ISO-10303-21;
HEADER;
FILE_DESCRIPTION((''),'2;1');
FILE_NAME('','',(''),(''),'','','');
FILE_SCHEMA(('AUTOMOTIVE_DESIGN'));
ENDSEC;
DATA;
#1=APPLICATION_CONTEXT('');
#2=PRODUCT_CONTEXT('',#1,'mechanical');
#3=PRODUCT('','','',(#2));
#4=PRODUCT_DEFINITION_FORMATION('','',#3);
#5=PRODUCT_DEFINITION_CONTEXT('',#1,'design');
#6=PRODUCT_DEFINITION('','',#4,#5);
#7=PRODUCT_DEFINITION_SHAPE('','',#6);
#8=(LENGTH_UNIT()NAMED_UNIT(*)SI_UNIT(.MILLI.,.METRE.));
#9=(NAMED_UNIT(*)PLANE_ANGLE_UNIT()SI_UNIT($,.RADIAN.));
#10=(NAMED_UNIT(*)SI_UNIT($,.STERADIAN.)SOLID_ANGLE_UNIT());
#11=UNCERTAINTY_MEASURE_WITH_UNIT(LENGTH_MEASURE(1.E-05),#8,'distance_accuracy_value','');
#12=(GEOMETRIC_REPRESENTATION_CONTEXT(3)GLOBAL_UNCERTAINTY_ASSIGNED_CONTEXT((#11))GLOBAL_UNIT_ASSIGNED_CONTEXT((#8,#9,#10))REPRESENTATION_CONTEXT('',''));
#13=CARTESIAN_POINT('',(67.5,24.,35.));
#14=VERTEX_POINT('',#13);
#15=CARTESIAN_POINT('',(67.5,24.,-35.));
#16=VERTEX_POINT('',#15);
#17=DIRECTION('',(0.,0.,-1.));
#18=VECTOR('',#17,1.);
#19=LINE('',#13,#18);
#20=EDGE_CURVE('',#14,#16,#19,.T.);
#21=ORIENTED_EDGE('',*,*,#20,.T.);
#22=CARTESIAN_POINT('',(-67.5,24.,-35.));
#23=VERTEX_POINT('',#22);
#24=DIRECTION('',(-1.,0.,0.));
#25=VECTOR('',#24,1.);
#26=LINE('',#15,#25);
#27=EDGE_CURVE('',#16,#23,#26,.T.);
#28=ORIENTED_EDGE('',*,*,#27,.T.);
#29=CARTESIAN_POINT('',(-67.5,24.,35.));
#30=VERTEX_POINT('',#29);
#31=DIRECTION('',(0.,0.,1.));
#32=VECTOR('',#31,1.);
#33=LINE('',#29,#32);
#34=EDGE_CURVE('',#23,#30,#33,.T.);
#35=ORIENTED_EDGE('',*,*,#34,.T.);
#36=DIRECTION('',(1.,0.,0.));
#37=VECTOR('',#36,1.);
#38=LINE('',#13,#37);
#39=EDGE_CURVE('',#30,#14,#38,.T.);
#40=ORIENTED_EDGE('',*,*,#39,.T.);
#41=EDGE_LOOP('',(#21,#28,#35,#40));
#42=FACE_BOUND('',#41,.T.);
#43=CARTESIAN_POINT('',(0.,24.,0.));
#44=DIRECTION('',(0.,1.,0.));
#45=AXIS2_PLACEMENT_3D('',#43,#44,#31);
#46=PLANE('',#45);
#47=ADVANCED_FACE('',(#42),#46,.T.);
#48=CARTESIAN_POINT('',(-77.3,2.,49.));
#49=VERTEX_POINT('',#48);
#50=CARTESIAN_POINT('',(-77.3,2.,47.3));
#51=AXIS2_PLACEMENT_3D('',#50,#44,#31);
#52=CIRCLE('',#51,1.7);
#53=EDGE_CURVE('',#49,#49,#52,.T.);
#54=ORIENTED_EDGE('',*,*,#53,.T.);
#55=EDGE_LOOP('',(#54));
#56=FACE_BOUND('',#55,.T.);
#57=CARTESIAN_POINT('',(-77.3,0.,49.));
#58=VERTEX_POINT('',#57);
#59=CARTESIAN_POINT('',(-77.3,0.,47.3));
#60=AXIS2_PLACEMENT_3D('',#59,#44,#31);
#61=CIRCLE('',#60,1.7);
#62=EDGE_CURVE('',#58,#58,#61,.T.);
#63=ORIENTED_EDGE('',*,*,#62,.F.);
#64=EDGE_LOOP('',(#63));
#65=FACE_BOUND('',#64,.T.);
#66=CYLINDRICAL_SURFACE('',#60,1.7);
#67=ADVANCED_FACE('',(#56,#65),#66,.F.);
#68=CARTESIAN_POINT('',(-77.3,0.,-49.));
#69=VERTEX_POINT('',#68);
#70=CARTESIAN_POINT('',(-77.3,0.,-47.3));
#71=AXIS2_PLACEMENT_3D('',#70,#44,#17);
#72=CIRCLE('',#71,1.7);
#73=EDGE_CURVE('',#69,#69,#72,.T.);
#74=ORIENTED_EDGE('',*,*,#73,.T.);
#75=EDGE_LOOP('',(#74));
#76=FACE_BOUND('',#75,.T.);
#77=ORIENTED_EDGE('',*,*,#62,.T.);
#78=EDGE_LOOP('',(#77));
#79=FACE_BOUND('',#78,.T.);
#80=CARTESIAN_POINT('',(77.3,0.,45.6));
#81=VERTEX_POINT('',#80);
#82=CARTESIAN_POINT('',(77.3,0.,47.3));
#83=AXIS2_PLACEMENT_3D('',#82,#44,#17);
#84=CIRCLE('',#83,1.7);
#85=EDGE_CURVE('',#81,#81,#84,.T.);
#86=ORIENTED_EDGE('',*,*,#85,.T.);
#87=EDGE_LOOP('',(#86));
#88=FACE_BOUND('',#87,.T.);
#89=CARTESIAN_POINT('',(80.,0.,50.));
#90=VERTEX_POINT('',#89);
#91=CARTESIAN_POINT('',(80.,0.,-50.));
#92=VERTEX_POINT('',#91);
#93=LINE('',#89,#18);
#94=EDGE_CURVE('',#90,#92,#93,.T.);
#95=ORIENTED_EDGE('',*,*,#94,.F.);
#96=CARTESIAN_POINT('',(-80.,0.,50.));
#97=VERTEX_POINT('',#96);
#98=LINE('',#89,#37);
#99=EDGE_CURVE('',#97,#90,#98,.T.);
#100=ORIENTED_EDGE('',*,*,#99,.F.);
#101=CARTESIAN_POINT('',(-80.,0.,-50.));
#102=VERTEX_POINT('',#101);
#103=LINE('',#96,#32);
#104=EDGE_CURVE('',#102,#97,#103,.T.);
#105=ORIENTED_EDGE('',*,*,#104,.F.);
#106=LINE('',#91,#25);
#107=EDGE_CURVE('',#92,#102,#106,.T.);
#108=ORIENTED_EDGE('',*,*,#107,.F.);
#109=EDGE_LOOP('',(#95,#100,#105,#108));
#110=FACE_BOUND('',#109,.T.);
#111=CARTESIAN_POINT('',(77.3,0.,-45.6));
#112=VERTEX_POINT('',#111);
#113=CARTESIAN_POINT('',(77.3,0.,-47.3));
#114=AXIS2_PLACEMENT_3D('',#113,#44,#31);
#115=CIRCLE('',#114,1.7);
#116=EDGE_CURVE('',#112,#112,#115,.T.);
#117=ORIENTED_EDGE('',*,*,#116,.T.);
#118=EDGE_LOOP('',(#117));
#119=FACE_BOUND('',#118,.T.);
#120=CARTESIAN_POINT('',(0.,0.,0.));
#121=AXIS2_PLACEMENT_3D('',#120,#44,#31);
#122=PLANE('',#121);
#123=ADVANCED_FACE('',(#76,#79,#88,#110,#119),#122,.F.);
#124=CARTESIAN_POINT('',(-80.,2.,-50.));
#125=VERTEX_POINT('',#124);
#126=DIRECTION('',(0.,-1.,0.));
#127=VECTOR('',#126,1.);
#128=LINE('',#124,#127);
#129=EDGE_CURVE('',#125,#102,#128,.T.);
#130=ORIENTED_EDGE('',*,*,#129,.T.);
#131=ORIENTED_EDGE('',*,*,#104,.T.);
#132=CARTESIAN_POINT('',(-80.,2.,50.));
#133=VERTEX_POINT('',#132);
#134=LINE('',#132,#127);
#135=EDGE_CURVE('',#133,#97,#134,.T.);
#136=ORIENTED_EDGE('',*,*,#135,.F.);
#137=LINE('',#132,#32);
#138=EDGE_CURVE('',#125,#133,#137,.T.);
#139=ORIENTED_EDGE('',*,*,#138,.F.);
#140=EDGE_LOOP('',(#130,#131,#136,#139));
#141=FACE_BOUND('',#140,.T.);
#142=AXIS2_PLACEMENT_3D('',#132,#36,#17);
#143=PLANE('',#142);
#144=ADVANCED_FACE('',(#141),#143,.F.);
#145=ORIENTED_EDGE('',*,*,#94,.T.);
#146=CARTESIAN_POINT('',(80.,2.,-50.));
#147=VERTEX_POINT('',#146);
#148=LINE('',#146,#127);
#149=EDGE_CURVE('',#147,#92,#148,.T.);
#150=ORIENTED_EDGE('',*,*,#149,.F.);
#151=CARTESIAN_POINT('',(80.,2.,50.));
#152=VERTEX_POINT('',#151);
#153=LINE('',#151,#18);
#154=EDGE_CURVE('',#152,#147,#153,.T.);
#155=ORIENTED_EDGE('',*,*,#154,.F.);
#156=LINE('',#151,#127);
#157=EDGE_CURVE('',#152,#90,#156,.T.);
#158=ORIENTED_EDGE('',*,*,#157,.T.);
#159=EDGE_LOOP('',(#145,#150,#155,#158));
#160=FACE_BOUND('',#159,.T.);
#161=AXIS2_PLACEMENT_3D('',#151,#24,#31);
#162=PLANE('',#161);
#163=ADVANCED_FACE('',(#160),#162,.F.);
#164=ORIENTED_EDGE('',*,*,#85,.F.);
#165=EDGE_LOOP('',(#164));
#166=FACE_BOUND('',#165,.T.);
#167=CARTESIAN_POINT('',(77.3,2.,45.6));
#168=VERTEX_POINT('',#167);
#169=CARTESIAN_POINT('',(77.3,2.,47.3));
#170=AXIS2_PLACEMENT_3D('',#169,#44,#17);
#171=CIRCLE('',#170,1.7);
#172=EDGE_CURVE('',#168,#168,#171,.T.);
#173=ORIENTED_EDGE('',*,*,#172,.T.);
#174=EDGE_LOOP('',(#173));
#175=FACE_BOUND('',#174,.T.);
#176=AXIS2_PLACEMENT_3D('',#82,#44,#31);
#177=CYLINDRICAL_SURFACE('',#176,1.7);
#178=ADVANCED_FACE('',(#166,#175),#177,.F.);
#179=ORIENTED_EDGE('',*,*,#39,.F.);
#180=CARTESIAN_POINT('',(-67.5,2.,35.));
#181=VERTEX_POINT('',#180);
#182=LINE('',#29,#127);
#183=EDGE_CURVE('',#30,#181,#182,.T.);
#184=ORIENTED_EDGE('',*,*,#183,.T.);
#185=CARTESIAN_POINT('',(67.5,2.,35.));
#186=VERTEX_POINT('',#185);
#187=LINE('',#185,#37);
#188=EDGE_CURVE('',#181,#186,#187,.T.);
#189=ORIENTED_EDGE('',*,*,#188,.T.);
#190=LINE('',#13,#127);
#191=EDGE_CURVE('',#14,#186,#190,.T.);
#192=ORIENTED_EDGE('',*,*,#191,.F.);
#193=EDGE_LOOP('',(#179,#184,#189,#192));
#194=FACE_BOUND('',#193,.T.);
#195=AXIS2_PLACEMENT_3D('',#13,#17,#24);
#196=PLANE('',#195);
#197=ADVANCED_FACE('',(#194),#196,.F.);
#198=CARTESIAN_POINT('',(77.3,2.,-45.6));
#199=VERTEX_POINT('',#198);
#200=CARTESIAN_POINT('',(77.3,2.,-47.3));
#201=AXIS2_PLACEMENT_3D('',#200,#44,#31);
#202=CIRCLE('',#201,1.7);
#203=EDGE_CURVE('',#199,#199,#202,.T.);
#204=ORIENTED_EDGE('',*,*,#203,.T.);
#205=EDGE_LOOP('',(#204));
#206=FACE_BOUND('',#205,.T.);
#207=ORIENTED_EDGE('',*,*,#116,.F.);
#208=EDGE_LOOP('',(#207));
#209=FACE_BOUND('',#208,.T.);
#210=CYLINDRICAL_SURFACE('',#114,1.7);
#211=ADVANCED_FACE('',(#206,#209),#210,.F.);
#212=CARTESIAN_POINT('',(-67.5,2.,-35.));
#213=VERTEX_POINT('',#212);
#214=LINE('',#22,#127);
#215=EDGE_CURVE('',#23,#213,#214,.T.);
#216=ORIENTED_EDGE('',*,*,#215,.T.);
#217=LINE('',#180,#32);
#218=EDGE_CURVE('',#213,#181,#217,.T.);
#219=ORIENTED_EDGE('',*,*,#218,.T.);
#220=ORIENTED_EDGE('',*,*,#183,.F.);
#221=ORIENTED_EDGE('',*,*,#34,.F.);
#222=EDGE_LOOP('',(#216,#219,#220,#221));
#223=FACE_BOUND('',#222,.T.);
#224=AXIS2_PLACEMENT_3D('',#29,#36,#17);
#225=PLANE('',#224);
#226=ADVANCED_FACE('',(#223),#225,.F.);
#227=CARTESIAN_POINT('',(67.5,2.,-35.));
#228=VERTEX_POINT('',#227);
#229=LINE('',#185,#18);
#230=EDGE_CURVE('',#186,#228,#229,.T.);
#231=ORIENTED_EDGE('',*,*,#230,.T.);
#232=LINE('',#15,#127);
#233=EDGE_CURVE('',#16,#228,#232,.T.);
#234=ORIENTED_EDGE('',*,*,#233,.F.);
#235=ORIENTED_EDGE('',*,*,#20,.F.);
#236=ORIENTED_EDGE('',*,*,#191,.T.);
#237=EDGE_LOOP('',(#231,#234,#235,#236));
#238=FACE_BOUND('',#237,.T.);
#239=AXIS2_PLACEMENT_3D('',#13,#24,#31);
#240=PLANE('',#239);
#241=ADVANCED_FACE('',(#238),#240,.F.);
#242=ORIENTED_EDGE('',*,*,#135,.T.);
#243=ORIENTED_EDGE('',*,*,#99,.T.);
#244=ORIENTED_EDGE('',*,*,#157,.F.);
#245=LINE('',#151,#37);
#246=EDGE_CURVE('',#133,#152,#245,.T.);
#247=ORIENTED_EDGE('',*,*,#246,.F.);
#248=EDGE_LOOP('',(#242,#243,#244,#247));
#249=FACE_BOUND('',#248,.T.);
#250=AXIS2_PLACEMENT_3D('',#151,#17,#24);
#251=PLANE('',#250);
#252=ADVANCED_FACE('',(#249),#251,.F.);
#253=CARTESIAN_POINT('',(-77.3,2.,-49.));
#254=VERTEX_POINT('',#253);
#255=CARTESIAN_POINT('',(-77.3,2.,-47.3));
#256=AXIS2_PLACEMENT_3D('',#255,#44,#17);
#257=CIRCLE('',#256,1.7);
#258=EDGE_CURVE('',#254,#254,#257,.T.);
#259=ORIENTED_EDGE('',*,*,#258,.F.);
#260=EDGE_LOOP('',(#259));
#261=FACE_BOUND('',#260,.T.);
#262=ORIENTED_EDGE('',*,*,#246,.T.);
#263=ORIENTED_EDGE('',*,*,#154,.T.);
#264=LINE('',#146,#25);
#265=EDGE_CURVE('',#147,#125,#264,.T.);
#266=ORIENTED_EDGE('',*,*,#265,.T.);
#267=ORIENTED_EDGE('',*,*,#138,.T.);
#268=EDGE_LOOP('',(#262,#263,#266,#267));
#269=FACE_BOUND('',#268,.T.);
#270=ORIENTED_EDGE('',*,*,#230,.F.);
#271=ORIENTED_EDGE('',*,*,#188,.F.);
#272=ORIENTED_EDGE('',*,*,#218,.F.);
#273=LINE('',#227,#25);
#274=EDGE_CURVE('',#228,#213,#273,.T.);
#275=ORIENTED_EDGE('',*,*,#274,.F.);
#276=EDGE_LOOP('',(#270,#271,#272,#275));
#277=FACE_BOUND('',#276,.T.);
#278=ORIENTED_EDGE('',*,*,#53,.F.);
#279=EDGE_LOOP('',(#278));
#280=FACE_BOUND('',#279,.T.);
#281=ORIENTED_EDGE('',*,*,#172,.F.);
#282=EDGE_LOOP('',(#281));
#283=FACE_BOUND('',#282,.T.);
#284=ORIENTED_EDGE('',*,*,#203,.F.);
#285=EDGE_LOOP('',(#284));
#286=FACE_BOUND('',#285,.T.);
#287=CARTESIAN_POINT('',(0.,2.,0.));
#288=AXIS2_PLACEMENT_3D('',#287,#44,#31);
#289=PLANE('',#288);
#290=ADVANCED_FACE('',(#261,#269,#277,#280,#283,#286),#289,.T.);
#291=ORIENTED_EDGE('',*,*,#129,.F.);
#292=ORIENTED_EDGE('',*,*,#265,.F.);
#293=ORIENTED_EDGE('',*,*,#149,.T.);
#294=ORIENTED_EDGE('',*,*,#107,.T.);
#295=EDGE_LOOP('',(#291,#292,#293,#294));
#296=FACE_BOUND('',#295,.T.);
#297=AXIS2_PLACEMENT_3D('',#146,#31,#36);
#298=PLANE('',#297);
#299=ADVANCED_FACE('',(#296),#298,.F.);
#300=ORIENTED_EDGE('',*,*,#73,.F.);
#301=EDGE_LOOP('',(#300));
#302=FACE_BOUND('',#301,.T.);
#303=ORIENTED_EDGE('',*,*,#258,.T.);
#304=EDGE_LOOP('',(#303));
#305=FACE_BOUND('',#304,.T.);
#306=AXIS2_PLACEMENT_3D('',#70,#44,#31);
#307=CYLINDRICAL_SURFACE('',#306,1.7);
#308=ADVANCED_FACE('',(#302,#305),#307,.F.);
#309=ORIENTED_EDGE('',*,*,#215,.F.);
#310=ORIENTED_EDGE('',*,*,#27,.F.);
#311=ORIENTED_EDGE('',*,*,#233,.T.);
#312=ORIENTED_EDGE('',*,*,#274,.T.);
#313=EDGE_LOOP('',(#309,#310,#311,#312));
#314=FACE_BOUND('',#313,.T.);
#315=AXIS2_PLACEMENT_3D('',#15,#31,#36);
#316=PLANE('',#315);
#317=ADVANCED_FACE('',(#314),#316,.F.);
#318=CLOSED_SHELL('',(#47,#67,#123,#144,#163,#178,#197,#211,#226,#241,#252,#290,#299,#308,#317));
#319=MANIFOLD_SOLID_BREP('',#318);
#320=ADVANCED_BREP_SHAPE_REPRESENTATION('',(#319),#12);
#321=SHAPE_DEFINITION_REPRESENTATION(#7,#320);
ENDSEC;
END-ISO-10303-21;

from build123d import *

# Parameters (mm, degrees)
SKETCH_1_W          = 160
SKETCH_1_H          = 100
EXTRUDE_1_DEPTH     = 2
SKETCH_2_R          = 1.7
CUT_EXTRUDE_1_DEPTH = 95.361008897
SKETCH_3_W          = 135
SKETCH_3_H          = 70
EXTRUDE_2_DEPTH     = 22


with BuildPart() as part:
    # 스케치1 → 보스-돌출1 (new body)
    with BuildSketch(Plane(origin=(0, 0, 0), x_dir=(1, 0, 0), z_dir=(0, 1, 0))):
        Rectangle(SKETCH_1_W, SKETCH_1_H)
    extrude(amount=EXTRUDE_1_DEPTH)

    # 스케치2 → 컷-돌출1 (cut, through all)
    with BuildSketch(Plane(origin=(0, 2, 0), x_dir=(1, 0, 0), z_dir=(0, 1, 0))):
        with Locations(Location((77.3, 47.3, 0), (0, 0, 270))):
            Circle(SKETCH_2_R)
        with Locations(Location((77.3, -47.3, 0), (0, 0, 90))):
            Circle(SKETCH_2_R)
        with Locations(Location((-77.3, -47.3, 0), (0, 0, 270))):
            Circle(SKETCH_2_R)
        with Locations(Location((-77.3, 47.3, 0), (0, 0, 90))):
            Circle(SKETCH_2_R)
    extrude(amount=-CUT_EXTRUDE_1_DEPTH, mode=Mode.SUBTRACT)

    # 스케치3 → 보스-돌출2 (add)
    with BuildSketch(Plane(origin=(0, 2, 0), x_dir=(1, 0, 0), z_dir=(0, 1, 0))):
        Rectangle(SKETCH_3_W, SKETCH_3_H)
    extrude(amount=EXTRUDE_2_DEPTH)


solid = part.part
